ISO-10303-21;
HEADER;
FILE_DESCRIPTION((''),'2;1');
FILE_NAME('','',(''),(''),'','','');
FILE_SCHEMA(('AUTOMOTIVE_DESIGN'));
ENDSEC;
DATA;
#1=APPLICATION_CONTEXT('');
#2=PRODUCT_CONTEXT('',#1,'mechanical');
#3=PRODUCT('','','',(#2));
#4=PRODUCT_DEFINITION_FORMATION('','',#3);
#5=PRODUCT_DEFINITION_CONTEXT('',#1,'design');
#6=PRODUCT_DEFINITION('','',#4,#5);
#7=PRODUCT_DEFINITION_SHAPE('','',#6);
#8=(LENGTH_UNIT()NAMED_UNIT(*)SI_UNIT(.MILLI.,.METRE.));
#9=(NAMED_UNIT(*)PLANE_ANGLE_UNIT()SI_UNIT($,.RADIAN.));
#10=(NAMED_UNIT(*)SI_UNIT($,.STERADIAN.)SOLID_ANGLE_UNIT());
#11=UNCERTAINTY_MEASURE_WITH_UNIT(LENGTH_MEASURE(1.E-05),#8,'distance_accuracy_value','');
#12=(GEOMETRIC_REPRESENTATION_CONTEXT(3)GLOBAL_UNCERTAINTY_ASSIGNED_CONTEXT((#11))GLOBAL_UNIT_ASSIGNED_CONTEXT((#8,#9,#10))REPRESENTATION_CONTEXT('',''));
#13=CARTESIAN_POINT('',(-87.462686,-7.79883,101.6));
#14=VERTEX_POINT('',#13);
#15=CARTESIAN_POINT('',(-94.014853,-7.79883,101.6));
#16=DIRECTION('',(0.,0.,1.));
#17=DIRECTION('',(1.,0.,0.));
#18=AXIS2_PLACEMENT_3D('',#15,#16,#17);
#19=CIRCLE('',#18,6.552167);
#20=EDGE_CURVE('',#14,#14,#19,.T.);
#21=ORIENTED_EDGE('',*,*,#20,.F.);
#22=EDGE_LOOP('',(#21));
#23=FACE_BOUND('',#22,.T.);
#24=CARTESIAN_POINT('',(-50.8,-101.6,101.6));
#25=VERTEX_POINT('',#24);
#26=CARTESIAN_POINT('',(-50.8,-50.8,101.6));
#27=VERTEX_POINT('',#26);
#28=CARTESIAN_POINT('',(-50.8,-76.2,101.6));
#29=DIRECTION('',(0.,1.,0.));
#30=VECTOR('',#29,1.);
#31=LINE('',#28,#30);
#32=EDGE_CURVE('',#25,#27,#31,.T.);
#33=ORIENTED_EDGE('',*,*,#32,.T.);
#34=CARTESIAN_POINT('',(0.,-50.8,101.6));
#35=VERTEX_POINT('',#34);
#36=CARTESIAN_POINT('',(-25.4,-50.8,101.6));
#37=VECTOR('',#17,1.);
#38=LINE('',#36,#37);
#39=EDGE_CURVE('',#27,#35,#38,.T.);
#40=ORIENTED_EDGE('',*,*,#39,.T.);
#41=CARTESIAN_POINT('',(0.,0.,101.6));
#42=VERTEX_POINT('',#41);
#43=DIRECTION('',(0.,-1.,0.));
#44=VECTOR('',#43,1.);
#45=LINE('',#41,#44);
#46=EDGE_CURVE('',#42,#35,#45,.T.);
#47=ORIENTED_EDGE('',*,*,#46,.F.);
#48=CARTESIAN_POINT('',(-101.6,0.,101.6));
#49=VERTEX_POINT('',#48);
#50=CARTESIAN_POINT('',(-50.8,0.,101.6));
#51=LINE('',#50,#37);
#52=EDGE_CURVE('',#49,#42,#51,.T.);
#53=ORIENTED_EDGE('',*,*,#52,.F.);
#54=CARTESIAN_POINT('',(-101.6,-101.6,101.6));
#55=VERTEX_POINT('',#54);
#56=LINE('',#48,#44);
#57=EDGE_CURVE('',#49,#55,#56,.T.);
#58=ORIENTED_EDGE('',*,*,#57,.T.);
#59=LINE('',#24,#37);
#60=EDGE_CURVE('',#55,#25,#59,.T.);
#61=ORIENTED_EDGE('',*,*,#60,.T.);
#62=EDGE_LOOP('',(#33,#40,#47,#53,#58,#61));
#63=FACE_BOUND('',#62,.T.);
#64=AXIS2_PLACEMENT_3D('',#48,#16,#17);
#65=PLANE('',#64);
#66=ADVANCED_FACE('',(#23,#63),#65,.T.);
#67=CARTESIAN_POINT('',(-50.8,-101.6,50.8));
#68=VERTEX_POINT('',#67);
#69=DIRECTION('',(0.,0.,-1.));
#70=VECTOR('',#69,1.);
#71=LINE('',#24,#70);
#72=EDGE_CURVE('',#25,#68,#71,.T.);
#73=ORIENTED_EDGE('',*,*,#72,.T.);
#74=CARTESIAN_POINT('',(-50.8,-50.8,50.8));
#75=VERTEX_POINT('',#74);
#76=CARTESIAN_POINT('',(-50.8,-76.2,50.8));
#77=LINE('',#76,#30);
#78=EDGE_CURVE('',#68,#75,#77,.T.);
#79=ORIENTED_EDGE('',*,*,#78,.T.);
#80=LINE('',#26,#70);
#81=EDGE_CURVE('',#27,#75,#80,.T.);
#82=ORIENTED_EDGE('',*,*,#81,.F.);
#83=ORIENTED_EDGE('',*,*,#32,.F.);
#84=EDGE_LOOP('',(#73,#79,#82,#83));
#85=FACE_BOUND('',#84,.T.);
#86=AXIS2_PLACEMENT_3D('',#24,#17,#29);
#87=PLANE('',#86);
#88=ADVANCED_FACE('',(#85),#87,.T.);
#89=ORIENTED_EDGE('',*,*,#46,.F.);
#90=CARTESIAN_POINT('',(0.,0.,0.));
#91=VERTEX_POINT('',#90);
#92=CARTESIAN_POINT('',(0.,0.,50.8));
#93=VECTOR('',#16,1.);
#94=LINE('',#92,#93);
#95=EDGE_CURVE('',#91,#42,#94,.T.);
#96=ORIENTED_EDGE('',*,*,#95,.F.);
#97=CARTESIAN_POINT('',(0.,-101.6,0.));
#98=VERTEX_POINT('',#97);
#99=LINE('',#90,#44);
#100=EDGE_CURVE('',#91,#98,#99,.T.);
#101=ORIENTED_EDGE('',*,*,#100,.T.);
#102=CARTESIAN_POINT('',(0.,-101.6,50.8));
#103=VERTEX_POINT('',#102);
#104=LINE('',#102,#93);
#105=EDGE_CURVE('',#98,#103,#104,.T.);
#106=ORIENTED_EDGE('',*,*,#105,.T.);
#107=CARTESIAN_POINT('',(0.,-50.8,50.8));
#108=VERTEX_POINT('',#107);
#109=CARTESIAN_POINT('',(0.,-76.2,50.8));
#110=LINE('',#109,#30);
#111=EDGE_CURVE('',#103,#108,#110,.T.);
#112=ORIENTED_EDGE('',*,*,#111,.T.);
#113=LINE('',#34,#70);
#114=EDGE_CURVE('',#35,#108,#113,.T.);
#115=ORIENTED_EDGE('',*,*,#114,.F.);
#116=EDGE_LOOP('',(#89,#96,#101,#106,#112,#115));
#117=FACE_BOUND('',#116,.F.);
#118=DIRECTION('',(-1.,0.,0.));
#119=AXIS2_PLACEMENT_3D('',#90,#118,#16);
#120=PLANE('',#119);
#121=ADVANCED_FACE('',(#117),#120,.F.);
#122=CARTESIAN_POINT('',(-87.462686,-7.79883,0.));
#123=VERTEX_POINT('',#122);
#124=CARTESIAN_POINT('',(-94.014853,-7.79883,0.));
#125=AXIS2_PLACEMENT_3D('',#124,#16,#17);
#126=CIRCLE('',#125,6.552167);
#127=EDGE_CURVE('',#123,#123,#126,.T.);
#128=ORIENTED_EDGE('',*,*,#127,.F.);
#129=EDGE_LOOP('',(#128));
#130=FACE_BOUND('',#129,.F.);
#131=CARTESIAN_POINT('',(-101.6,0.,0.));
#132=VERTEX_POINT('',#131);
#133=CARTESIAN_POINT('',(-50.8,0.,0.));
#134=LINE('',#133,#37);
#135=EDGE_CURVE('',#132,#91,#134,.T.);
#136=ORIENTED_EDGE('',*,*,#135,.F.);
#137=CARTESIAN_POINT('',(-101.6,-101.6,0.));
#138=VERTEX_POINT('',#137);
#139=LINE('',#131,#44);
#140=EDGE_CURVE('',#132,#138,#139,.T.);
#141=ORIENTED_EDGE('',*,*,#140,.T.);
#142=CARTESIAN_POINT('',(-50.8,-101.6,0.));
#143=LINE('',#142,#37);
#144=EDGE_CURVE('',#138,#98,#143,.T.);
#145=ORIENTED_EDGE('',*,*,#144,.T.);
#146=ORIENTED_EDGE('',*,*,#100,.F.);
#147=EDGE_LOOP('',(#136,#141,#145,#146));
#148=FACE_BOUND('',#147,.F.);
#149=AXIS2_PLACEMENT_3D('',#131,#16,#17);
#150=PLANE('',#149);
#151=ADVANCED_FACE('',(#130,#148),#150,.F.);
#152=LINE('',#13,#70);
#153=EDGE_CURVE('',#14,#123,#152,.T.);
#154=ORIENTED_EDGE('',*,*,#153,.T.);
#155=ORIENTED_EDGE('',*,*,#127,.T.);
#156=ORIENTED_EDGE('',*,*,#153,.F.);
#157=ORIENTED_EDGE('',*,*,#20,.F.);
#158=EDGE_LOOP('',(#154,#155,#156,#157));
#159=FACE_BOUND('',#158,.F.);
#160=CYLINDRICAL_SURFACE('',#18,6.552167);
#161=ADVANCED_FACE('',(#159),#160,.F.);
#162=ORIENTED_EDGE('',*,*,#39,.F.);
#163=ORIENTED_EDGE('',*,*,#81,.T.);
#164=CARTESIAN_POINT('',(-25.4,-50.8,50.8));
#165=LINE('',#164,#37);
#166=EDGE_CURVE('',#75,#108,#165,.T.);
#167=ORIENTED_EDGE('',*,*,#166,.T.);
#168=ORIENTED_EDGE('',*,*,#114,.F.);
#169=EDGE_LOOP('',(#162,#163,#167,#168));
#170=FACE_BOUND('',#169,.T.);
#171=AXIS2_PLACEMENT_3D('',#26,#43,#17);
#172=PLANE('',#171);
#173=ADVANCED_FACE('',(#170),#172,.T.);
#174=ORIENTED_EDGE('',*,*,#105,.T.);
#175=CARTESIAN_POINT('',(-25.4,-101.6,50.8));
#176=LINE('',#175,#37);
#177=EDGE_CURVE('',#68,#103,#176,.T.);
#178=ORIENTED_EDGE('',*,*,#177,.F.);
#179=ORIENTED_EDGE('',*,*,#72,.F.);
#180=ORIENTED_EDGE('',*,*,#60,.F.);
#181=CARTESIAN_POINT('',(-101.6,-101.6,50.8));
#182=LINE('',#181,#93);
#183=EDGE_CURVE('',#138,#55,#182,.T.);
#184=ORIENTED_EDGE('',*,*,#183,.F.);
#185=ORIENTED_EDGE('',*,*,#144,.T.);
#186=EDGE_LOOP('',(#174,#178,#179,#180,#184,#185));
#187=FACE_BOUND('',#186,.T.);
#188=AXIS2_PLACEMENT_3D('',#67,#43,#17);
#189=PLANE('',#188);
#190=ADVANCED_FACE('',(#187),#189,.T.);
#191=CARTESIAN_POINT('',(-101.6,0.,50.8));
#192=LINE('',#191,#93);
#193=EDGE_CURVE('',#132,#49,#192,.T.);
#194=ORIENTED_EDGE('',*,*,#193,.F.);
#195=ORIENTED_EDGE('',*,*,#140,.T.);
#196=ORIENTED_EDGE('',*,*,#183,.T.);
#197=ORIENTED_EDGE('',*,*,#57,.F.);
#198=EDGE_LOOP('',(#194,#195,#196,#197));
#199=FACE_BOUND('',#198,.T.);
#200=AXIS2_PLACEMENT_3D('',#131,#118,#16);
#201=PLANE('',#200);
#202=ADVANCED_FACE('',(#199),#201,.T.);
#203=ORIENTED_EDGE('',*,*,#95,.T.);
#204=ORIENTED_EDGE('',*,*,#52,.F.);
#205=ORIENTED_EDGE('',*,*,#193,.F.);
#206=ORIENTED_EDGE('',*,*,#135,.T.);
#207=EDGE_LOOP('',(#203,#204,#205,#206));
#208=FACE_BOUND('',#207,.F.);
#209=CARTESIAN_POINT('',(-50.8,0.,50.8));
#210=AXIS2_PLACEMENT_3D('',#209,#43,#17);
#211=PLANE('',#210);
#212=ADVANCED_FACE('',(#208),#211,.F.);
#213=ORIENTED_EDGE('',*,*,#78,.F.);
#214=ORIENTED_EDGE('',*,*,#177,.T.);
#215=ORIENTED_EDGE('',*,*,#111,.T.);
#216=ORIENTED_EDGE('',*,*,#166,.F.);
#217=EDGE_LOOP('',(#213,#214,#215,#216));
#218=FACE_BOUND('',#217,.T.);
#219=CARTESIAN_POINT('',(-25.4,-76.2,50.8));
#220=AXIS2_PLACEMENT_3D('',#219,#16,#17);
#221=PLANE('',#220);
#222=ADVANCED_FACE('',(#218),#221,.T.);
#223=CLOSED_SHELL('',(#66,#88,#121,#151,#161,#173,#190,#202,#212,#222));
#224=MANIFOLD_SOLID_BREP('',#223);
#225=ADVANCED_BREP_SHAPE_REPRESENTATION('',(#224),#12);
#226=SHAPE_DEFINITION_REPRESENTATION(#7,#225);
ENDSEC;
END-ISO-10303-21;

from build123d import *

# Parameters (mm, degrees)
F0_W     = 101.6
F0_H     = 101.6
F1_DEPTH = 101.6
F2_R     = 6.552167
F3_DEPTH = 101.6
F4_W     = 50.8
F4_H     = 50.8
F5_DEPTH = 50.8


with BuildPart() as f1:
    # F0 (on Front) → F1 (new body)
    with BuildSketch(Plane.XZ):
        with Locations((-50.8, 50.8)):
            Rectangle(F0_W, F0_H)
    extrude(amount=F1_DEPTH)

    # F2 (on face) → F3 (cut)
    with BuildSketch(Plane.XY.offset(101.6)):
        with Locations((-94.014853, -7.79883)):
            Circle(F2_R)
    extrude(amount=-F3_DEPTH, mode=Mode.SUBTRACT)

    # F4 (on face) → F5 (cut)
    with BuildSketch(Plane.XY.offset(101.6)):
        with Locations((-25.4, -76.2)):
            Rectangle(F4_W, F4_H)
    extrude(amount=-F5_DEPTH, mode=Mode.SUBTRACT)


solid = f1.part
